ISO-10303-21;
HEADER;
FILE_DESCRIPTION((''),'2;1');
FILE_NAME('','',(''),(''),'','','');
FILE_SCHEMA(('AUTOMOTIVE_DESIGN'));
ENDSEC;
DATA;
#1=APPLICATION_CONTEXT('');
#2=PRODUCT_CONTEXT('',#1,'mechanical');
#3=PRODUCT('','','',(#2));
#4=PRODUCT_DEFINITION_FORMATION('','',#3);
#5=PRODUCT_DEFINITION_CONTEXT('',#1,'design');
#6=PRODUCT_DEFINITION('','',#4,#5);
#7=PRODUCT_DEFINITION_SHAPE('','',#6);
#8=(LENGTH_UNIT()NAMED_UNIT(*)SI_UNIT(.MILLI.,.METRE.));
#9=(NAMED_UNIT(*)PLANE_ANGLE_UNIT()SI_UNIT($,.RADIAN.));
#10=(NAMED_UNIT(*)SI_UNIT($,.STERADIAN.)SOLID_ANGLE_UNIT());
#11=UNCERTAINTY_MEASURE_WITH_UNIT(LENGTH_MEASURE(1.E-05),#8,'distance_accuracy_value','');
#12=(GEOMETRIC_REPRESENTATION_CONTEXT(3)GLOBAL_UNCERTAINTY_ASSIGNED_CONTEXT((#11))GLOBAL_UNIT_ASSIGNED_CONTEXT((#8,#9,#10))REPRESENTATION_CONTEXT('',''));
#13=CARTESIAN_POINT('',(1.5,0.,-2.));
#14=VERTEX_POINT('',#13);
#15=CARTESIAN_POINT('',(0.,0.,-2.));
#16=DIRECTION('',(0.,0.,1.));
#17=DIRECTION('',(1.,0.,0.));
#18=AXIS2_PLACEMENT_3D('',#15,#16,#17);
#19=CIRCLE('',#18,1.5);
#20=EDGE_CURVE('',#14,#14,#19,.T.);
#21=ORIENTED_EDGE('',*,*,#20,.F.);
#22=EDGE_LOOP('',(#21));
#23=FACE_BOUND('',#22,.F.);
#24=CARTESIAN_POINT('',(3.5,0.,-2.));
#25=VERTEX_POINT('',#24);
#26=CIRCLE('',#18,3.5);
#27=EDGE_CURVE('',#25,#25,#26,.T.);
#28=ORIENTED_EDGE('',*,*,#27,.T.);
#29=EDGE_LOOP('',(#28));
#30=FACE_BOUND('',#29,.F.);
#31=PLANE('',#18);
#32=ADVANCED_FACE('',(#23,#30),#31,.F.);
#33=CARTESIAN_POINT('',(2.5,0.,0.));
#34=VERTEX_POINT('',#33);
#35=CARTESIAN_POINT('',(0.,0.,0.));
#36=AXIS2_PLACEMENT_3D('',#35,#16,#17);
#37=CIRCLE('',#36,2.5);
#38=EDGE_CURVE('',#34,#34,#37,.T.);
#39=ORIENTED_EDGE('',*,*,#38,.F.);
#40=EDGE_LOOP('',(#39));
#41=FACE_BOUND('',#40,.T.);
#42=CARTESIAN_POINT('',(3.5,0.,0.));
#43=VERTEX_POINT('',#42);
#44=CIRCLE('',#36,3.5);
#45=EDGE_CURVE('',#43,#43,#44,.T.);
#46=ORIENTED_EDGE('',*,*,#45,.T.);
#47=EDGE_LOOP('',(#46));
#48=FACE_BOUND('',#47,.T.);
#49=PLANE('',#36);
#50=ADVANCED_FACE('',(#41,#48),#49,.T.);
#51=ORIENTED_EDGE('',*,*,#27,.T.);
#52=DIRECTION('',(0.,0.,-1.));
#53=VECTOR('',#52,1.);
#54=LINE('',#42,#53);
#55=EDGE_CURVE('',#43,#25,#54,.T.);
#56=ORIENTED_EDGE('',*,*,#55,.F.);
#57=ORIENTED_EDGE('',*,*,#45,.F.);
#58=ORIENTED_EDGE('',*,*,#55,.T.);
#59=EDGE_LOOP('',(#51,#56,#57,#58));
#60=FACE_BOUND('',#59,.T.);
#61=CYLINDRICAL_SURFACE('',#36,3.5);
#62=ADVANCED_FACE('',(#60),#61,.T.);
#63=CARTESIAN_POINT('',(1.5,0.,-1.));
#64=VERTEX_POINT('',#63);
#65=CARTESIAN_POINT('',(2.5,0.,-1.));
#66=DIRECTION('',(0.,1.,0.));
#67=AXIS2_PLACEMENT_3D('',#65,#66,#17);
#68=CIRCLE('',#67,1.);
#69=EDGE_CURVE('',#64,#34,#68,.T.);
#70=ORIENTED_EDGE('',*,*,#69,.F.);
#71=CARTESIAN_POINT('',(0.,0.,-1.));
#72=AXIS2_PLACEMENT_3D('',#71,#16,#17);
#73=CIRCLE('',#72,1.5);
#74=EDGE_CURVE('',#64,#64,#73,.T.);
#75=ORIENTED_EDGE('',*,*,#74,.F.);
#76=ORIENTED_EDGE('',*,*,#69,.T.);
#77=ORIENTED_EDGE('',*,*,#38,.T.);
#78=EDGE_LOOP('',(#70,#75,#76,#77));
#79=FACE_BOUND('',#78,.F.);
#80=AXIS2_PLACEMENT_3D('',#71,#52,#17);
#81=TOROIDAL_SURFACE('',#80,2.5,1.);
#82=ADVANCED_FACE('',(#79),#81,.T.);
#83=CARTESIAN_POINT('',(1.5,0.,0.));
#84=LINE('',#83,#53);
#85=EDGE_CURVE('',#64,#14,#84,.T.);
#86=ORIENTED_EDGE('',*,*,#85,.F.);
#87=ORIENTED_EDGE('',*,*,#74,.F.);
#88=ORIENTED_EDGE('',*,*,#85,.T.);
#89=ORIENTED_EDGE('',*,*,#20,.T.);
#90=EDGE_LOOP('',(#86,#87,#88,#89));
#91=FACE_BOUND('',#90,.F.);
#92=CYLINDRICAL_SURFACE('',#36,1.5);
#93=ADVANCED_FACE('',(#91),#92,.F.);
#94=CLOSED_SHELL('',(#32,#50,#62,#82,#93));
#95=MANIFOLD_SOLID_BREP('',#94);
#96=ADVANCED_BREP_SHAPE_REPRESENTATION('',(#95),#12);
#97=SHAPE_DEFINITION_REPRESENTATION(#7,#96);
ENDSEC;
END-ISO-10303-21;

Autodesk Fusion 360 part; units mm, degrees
sketch "Sketch1" plane through (0, 0, 0) normal (0, 0, 1) x (1, 0, 0)
  circle A0 centre (0, 0) radius 1.5
  circle A1 centre (0, 0) radius 3.5
  dimension "d1" = 3
  dimension "d2" = 7
extrude "Extrude1" add sketch "Sketch1" against normal blind 2
fillet "Fillet1" radius 1 1 edges at (-1.3985, 0.5424, 0)
